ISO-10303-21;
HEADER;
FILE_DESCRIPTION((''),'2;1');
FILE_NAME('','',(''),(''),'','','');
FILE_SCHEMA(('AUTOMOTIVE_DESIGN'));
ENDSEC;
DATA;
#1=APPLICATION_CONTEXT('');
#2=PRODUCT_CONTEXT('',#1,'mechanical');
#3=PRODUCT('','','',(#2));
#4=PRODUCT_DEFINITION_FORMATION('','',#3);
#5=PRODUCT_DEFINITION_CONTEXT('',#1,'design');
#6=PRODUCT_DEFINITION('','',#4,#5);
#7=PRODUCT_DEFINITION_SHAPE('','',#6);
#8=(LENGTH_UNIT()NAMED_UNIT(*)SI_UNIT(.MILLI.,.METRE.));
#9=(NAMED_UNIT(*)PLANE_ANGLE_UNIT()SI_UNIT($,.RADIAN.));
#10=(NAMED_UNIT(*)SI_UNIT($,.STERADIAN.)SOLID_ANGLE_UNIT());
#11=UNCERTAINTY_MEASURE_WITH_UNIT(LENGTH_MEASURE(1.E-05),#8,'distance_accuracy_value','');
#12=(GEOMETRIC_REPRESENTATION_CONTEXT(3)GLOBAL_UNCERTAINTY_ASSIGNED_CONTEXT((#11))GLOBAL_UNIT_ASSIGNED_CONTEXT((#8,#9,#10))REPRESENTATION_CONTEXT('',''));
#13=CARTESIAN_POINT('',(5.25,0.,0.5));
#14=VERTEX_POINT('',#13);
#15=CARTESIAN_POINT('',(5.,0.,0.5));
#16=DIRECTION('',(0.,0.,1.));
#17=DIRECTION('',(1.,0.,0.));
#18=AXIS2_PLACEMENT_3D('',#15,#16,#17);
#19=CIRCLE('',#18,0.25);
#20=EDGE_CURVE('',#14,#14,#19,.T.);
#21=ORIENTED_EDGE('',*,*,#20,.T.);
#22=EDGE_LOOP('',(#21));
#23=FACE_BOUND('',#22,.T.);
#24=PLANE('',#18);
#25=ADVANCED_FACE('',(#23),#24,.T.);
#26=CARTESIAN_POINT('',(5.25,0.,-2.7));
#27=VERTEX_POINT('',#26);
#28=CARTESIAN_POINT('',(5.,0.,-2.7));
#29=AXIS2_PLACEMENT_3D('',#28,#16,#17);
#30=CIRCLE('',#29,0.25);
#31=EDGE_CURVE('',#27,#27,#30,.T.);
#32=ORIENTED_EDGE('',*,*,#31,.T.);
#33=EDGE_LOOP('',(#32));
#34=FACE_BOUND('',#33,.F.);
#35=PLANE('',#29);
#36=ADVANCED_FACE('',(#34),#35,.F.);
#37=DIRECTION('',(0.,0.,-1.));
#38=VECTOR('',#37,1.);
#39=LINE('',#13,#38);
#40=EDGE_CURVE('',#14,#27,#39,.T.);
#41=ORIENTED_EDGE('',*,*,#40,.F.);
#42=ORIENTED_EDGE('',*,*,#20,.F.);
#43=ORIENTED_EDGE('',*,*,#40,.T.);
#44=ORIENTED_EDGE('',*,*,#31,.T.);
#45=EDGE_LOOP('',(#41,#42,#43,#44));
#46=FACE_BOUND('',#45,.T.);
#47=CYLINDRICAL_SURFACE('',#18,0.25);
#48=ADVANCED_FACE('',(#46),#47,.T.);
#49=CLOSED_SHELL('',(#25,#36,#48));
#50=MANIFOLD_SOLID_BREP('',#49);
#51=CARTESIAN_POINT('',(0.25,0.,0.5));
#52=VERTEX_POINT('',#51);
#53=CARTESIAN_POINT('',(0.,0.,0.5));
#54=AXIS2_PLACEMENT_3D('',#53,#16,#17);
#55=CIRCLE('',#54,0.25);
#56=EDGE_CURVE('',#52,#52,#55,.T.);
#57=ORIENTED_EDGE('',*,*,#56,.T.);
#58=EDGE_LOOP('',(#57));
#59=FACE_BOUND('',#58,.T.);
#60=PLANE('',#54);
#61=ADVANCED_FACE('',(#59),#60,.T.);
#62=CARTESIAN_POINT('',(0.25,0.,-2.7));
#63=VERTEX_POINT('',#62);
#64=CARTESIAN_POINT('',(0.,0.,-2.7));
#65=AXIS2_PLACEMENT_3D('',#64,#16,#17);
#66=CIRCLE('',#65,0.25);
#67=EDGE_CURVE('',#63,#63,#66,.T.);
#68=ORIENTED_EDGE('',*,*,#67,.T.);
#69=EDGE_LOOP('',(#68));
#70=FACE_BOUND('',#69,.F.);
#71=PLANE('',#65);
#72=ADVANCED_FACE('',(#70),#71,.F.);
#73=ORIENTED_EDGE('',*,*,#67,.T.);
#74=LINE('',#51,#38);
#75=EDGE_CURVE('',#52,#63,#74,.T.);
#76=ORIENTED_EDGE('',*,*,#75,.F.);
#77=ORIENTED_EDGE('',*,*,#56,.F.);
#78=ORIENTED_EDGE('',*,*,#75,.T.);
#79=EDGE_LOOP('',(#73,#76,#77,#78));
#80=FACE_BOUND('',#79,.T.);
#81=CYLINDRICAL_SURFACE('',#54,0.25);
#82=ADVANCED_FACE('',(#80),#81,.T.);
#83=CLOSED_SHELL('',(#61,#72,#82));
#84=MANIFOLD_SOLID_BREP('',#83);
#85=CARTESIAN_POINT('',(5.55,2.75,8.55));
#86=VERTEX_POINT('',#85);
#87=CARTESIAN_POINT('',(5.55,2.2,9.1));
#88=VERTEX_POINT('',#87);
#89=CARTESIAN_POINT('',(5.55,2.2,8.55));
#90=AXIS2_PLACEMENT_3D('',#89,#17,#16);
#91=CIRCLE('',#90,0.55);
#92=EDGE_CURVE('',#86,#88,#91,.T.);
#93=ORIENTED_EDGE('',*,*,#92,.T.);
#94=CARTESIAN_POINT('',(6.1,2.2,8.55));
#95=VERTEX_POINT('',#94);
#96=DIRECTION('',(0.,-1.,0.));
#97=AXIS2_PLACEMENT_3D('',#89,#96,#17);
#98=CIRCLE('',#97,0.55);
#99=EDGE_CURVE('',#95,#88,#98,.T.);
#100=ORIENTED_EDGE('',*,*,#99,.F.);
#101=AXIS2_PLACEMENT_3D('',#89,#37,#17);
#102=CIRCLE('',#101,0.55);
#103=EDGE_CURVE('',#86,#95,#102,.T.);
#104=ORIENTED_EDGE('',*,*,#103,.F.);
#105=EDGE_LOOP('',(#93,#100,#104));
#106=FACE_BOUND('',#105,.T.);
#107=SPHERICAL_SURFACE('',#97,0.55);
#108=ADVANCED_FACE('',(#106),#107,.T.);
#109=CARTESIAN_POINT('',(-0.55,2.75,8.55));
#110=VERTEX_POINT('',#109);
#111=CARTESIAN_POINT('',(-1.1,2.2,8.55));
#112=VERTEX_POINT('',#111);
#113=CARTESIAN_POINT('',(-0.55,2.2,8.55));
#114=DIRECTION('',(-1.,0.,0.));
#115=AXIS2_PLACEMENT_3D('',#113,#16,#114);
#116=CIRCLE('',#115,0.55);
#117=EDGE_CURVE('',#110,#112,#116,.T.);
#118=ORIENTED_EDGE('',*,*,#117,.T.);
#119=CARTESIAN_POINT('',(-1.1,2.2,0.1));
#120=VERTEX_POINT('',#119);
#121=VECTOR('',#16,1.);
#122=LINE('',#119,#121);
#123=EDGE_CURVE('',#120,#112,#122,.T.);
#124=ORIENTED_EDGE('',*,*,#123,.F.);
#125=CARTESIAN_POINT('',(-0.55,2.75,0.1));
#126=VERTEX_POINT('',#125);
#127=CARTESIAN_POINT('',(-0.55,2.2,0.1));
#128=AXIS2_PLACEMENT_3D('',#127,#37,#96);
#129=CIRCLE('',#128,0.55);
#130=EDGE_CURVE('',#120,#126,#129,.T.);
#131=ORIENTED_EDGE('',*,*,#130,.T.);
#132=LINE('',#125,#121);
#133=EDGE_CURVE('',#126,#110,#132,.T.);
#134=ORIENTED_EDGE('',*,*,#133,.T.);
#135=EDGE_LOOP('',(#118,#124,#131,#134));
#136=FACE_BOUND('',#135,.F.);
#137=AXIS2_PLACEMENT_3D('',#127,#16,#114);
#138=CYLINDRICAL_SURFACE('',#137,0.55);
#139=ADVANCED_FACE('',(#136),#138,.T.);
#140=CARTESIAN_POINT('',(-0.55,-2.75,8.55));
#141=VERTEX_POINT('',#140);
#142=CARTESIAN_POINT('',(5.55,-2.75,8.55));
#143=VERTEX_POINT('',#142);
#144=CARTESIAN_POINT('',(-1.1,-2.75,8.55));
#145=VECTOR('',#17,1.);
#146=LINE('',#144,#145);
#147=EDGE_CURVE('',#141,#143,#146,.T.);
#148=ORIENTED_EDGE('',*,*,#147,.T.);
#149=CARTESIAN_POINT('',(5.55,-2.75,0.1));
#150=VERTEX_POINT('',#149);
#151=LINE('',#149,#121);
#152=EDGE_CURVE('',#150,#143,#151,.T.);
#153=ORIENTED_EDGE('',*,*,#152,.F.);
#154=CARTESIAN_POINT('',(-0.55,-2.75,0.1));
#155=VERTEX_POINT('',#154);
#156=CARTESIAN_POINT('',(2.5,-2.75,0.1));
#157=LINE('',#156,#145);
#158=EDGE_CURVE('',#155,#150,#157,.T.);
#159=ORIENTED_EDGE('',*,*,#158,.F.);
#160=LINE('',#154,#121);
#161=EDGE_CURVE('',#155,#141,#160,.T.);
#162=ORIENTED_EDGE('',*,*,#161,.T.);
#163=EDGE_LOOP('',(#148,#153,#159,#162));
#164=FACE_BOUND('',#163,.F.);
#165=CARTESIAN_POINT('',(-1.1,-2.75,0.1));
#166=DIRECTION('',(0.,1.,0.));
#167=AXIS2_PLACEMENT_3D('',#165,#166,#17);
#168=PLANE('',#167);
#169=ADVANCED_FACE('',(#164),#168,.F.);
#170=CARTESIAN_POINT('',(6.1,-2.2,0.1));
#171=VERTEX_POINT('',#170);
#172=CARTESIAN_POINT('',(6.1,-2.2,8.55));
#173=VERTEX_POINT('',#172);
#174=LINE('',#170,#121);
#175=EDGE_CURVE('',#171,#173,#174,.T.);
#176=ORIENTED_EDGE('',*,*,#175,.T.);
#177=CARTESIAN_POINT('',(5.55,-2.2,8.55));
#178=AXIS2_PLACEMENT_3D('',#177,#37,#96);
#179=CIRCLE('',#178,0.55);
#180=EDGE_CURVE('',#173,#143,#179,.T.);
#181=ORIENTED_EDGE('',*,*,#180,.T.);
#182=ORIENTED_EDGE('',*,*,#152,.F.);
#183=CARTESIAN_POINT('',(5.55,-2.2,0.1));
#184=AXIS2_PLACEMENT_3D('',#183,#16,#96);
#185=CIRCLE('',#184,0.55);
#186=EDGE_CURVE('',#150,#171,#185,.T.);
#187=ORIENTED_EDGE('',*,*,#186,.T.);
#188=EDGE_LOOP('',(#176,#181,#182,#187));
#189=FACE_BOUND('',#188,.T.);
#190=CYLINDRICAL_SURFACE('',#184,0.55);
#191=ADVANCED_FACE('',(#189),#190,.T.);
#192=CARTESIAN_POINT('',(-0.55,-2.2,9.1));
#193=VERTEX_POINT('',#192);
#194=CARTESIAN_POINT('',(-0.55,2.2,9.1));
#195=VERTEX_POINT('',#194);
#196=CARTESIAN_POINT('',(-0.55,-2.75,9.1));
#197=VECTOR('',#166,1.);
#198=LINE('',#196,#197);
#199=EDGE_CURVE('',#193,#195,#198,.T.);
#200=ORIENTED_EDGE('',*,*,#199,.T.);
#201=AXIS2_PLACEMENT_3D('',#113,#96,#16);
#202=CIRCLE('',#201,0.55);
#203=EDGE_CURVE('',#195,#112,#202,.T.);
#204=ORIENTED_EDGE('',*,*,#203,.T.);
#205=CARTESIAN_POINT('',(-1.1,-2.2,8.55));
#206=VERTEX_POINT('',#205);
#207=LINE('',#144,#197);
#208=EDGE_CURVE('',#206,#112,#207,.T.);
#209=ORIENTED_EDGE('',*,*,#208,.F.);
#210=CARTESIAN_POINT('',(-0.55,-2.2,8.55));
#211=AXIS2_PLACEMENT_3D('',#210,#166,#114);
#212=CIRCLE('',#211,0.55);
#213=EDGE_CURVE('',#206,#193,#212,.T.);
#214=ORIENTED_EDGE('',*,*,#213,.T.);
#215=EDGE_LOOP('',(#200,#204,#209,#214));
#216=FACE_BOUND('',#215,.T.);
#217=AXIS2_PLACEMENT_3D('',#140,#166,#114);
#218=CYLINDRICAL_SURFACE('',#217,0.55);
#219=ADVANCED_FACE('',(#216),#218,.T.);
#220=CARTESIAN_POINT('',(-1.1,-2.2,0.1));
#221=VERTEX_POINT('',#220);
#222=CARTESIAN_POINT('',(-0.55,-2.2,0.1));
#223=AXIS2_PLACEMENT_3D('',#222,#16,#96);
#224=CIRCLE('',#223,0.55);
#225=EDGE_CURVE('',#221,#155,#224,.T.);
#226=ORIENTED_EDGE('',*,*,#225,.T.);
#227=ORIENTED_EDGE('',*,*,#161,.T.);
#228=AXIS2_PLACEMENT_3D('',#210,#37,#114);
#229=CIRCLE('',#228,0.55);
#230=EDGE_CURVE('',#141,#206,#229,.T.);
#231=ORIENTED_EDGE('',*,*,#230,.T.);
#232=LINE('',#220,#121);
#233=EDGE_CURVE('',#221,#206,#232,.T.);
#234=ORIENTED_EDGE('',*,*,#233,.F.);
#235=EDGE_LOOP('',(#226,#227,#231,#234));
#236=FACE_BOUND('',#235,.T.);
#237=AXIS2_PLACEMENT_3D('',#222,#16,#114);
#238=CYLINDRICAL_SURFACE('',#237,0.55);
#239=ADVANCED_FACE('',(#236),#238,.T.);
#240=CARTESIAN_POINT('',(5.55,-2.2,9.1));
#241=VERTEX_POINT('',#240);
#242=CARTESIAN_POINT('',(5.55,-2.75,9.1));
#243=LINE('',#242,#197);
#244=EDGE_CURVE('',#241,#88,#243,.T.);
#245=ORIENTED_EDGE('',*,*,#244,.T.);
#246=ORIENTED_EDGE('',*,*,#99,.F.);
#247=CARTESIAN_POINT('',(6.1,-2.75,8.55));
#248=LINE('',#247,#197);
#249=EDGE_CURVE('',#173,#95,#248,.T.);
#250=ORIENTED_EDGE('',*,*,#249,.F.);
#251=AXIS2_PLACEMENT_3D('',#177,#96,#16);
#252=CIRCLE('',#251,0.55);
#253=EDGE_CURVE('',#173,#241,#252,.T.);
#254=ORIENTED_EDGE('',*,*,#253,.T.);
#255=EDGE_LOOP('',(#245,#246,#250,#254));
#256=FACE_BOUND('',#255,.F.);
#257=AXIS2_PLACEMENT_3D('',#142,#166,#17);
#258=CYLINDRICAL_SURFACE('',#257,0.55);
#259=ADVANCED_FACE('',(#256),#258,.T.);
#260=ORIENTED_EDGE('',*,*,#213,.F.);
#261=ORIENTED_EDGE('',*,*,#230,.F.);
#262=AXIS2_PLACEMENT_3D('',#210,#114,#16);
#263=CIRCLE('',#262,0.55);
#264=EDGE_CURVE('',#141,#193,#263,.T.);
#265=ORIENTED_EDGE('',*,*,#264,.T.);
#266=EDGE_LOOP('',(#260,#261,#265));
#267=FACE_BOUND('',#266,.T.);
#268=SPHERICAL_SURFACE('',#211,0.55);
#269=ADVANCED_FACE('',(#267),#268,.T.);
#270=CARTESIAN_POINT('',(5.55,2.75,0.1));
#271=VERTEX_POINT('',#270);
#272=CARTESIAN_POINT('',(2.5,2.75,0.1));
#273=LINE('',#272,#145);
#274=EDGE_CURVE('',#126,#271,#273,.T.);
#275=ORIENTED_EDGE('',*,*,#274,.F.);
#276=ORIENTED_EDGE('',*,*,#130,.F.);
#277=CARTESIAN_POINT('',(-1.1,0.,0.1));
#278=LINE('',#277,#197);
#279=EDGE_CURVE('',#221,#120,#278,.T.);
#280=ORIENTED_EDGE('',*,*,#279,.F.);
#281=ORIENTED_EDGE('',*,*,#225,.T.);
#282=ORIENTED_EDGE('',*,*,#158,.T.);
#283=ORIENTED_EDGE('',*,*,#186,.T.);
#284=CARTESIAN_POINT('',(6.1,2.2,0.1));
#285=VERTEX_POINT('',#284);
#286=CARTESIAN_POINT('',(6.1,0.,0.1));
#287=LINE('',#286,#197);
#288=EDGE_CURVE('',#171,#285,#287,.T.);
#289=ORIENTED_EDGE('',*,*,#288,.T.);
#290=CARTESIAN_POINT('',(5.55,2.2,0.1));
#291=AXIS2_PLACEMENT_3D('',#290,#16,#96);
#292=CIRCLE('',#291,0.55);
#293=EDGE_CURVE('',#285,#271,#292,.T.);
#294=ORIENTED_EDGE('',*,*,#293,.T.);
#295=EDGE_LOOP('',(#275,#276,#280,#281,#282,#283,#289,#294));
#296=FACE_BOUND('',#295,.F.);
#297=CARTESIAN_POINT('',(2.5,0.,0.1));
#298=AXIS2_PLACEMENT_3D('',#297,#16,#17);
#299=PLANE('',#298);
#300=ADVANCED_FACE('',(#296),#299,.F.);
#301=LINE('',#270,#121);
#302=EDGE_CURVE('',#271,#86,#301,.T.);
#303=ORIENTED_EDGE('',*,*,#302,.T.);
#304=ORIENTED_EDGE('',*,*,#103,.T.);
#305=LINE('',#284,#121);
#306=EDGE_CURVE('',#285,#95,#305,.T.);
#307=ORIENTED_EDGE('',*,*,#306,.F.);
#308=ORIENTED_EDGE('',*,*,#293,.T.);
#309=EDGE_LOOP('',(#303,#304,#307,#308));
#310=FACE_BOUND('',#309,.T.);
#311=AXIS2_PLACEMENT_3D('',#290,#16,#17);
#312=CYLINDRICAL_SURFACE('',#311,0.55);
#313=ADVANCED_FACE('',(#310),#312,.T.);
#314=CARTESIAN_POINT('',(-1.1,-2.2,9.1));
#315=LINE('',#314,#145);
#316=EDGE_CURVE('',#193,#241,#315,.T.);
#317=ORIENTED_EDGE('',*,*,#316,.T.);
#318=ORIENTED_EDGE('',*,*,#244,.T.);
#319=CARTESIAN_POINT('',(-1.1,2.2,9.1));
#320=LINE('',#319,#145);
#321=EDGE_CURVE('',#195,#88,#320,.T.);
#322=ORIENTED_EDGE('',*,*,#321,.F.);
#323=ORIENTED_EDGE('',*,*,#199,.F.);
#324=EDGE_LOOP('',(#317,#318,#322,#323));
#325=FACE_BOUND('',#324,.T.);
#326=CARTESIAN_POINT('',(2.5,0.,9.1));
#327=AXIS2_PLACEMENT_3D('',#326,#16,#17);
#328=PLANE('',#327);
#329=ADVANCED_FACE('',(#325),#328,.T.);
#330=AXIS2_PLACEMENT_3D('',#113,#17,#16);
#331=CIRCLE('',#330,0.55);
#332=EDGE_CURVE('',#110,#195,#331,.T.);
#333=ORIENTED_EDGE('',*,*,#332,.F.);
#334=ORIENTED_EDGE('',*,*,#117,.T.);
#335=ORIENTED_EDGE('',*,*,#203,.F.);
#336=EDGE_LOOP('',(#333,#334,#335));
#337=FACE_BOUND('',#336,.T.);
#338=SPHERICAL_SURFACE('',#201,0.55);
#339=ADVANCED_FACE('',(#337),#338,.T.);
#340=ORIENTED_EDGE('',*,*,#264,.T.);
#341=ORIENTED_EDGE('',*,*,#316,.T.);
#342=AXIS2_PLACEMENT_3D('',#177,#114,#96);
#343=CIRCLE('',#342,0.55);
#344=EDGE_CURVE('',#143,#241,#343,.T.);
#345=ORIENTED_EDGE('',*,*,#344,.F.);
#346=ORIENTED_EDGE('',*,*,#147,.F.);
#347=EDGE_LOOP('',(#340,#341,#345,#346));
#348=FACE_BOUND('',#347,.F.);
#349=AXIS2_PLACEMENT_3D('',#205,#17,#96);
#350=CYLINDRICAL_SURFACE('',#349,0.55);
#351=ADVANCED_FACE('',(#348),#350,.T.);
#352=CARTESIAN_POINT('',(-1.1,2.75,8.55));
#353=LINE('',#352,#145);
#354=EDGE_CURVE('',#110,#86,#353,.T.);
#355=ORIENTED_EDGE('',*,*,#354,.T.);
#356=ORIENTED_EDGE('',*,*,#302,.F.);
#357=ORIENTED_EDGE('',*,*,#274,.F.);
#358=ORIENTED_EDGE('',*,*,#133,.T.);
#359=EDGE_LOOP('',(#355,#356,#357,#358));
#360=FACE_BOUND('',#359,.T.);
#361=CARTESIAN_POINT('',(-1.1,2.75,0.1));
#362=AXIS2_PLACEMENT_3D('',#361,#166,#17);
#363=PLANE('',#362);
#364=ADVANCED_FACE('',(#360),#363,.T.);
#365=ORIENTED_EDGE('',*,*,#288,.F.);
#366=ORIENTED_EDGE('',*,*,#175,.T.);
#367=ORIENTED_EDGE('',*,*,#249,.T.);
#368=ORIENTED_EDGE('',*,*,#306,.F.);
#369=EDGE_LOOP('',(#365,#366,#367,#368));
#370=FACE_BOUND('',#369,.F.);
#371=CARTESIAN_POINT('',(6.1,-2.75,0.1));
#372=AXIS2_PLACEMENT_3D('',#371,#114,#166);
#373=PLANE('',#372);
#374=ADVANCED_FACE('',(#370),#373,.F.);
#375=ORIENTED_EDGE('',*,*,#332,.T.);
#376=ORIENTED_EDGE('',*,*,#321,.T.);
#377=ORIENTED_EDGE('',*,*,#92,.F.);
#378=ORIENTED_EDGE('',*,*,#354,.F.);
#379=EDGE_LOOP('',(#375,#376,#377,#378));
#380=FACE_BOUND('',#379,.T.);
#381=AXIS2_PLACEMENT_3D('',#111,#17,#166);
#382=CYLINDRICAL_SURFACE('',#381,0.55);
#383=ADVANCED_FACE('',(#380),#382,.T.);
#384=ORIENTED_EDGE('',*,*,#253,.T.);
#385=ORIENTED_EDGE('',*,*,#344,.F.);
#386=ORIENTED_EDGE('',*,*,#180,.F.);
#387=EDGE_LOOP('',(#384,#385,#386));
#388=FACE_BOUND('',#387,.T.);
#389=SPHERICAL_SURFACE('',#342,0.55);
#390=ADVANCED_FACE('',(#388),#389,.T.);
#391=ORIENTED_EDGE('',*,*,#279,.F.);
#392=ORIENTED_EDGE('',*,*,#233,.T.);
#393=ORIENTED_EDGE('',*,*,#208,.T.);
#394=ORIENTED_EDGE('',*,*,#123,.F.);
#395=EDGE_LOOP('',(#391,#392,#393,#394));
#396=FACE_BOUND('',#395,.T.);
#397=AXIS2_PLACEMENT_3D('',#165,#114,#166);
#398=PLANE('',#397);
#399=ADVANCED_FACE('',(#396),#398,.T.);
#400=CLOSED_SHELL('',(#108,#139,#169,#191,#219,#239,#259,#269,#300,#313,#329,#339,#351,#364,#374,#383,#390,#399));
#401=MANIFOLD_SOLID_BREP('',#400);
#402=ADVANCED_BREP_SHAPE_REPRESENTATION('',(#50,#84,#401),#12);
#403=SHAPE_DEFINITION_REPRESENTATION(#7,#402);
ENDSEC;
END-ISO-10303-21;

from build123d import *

# Parameters (mm, degrees)
SKETCH_W     = 7.2
SKETCH_H     = 5.5
PAD_DEPTH    = 9
FILLET_R     = 0.55
SKETCH001_R  = 0.25
PAD001_DEPTH = 3.2


with BuildPart() as fillet_body:
    # Sketch → Pad (new body)
    with BuildSketch(Plane.XY.offset(0.1)):
        with Locations((2.5, 0)):
            Rectangle(SKETCH_W, SKETCH_H)
    extrude(amount=PAD_DEPTH)

    # Fillet
    fillet_edges = [fillet_body.edges().sort_by_distance(p)[0] for p in [
        (-1.1, 0, 9.1),
        (-1.1, -2.75, 4.6),
        (2.5, -2.75, 9.1),
        (6.1, -2.75, 4.6),
        (6.1, 0, 9.1),
        (6.1, 2.75, 4.6),
        (2.5, 2.75, 9.1),
        (-1.1, 2.75, 4.6),
    ]]
    fillet(fillet_edges, radius=FILLET_R)


with BuildPart() as pad001:
    # Sketch001 → Pad001 (new body)
    with BuildSketch(Plane.XY.offset(0.5)):
        Circle(SKETCH001_R)
        with Locations((5, 0)):
            Circle(SKETCH001_R)
    extrude(amount=-PAD001_DEPTH)


solid = Compound([fillet_body.part, pad001.part])
